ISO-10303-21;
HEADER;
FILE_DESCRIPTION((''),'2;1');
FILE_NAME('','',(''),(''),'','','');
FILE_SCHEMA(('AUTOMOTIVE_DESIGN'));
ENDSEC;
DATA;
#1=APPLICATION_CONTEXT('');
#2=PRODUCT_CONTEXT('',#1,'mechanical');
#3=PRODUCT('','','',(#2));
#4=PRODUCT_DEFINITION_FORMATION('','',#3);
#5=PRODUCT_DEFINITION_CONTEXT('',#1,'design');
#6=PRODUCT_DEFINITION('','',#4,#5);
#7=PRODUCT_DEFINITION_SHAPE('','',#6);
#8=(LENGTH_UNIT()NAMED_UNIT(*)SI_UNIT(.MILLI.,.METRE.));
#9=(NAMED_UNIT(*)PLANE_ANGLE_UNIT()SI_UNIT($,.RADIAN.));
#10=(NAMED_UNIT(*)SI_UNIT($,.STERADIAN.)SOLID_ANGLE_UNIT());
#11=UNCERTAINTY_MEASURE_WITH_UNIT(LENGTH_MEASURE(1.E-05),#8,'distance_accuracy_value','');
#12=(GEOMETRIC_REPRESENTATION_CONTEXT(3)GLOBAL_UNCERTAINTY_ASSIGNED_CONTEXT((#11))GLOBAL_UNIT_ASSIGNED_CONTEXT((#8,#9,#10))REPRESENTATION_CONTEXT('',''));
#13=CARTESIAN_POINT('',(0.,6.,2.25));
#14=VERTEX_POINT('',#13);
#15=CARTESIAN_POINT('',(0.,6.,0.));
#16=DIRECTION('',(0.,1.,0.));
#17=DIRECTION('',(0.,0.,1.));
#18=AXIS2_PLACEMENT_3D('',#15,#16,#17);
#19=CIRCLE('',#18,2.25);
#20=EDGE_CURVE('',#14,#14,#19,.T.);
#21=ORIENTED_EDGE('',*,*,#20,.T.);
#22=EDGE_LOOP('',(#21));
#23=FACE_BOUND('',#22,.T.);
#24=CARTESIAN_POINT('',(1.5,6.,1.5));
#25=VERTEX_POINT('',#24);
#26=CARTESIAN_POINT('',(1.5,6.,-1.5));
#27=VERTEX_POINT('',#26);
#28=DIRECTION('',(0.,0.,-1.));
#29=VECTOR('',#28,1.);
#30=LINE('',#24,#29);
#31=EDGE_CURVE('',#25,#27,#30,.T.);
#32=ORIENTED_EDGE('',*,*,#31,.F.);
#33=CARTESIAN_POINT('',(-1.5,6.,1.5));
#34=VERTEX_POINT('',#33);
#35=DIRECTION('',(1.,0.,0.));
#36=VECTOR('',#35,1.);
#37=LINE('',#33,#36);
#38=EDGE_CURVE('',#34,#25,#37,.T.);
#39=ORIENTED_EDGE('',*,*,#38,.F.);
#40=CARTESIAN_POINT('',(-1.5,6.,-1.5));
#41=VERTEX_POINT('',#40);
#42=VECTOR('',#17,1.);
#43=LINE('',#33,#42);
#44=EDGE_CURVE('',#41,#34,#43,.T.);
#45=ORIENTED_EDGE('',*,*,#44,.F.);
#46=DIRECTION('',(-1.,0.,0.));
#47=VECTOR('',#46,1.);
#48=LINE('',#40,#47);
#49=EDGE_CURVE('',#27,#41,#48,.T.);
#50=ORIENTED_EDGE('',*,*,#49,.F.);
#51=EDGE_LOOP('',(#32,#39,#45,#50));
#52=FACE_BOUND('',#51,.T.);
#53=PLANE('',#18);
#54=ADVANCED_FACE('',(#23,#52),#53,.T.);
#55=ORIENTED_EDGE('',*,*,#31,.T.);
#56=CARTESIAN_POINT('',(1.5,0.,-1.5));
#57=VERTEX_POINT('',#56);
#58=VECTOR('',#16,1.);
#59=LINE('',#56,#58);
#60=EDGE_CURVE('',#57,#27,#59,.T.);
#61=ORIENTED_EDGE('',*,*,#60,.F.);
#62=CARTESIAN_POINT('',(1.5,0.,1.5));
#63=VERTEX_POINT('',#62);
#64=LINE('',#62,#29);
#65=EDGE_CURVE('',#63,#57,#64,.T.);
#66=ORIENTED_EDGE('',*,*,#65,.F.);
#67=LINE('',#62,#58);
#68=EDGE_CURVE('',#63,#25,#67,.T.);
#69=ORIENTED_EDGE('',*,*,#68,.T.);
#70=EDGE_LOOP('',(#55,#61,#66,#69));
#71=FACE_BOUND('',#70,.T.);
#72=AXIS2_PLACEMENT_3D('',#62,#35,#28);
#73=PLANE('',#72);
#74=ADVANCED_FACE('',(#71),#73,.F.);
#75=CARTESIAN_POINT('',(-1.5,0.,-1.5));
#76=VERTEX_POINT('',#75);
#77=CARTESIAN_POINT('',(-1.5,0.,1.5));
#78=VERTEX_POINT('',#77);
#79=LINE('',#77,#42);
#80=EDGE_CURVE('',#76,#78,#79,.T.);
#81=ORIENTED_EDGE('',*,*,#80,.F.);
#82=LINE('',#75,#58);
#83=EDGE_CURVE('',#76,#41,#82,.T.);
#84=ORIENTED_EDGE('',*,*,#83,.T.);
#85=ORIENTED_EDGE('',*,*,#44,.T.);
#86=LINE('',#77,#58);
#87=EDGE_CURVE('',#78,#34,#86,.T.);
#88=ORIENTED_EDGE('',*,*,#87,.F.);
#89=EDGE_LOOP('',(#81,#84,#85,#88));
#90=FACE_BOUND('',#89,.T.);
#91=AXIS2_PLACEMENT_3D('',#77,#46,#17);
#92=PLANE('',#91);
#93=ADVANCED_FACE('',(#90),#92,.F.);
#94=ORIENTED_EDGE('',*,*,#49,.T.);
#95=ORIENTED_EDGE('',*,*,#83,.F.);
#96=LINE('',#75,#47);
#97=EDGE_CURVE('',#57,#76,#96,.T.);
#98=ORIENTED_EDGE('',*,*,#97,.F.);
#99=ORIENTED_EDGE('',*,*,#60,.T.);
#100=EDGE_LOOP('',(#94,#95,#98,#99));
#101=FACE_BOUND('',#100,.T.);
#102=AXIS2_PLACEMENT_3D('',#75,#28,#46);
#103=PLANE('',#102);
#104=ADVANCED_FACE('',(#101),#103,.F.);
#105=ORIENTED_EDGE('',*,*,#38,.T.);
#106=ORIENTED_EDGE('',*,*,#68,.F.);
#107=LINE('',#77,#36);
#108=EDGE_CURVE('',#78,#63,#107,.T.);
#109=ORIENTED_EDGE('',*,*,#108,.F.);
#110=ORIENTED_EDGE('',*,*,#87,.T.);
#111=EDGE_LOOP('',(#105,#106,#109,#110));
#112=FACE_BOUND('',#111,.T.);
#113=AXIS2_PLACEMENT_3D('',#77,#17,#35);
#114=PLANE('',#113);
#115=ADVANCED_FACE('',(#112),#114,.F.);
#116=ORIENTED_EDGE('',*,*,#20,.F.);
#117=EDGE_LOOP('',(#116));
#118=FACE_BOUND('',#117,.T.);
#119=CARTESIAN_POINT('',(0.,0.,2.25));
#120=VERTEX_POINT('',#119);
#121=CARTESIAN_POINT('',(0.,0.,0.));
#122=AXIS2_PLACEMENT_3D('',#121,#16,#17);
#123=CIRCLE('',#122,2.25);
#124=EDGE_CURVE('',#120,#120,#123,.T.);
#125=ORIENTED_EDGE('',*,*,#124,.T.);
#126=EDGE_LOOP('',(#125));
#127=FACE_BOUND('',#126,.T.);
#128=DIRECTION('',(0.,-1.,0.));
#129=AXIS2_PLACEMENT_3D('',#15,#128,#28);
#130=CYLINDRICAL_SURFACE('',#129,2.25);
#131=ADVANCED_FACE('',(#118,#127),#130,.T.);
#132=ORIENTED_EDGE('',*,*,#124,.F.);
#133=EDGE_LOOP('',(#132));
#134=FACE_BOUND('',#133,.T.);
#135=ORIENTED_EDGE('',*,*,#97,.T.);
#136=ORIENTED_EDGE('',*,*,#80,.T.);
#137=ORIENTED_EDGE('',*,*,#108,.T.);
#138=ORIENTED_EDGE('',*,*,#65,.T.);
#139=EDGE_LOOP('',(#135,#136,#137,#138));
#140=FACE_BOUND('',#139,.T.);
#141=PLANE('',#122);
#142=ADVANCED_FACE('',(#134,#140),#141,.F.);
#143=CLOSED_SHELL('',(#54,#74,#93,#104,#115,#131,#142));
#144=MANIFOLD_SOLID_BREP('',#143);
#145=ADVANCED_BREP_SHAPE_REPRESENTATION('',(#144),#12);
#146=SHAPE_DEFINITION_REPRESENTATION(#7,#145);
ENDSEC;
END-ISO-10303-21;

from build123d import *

# Parameters (mm, degrees)
SKETCH1_R           = 2.25
BOSS_EXTRUDE1_DEPTH = 6
SKETCH2_W           = 3
SKETCH2_H           = 3
CUT_EXTRUDE1_DEPTH  = 7.791538854


with BuildPart() as part:
    # Sketch1 → Boss-Extrude1 (new body)
    with BuildSketch(Plane(origin=(0, 0, 0), x_dir=(1, 0, 0), z_dir=(0, 1, 0))):
        with Locations(Location((0, 0, 0), (0, 0, 270))):
            Circle(SKETCH1_R)
    extrude(amount=BOSS_EXTRUDE1_DEPTH)

    # Sketch2 → Cut-Extrude1 (cut, through all)
    with BuildSketch(Plane(origin=(0, 6, 0), x_dir=(1, 0, 0), z_dir=(0, 1, 0))):
        Rectangle(SKETCH2_W, SKETCH2_H)
    extrude(amount=-CUT_EXTRUDE1_DEPTH, mode=Mode.SUBTRACT)


solid = part.part
